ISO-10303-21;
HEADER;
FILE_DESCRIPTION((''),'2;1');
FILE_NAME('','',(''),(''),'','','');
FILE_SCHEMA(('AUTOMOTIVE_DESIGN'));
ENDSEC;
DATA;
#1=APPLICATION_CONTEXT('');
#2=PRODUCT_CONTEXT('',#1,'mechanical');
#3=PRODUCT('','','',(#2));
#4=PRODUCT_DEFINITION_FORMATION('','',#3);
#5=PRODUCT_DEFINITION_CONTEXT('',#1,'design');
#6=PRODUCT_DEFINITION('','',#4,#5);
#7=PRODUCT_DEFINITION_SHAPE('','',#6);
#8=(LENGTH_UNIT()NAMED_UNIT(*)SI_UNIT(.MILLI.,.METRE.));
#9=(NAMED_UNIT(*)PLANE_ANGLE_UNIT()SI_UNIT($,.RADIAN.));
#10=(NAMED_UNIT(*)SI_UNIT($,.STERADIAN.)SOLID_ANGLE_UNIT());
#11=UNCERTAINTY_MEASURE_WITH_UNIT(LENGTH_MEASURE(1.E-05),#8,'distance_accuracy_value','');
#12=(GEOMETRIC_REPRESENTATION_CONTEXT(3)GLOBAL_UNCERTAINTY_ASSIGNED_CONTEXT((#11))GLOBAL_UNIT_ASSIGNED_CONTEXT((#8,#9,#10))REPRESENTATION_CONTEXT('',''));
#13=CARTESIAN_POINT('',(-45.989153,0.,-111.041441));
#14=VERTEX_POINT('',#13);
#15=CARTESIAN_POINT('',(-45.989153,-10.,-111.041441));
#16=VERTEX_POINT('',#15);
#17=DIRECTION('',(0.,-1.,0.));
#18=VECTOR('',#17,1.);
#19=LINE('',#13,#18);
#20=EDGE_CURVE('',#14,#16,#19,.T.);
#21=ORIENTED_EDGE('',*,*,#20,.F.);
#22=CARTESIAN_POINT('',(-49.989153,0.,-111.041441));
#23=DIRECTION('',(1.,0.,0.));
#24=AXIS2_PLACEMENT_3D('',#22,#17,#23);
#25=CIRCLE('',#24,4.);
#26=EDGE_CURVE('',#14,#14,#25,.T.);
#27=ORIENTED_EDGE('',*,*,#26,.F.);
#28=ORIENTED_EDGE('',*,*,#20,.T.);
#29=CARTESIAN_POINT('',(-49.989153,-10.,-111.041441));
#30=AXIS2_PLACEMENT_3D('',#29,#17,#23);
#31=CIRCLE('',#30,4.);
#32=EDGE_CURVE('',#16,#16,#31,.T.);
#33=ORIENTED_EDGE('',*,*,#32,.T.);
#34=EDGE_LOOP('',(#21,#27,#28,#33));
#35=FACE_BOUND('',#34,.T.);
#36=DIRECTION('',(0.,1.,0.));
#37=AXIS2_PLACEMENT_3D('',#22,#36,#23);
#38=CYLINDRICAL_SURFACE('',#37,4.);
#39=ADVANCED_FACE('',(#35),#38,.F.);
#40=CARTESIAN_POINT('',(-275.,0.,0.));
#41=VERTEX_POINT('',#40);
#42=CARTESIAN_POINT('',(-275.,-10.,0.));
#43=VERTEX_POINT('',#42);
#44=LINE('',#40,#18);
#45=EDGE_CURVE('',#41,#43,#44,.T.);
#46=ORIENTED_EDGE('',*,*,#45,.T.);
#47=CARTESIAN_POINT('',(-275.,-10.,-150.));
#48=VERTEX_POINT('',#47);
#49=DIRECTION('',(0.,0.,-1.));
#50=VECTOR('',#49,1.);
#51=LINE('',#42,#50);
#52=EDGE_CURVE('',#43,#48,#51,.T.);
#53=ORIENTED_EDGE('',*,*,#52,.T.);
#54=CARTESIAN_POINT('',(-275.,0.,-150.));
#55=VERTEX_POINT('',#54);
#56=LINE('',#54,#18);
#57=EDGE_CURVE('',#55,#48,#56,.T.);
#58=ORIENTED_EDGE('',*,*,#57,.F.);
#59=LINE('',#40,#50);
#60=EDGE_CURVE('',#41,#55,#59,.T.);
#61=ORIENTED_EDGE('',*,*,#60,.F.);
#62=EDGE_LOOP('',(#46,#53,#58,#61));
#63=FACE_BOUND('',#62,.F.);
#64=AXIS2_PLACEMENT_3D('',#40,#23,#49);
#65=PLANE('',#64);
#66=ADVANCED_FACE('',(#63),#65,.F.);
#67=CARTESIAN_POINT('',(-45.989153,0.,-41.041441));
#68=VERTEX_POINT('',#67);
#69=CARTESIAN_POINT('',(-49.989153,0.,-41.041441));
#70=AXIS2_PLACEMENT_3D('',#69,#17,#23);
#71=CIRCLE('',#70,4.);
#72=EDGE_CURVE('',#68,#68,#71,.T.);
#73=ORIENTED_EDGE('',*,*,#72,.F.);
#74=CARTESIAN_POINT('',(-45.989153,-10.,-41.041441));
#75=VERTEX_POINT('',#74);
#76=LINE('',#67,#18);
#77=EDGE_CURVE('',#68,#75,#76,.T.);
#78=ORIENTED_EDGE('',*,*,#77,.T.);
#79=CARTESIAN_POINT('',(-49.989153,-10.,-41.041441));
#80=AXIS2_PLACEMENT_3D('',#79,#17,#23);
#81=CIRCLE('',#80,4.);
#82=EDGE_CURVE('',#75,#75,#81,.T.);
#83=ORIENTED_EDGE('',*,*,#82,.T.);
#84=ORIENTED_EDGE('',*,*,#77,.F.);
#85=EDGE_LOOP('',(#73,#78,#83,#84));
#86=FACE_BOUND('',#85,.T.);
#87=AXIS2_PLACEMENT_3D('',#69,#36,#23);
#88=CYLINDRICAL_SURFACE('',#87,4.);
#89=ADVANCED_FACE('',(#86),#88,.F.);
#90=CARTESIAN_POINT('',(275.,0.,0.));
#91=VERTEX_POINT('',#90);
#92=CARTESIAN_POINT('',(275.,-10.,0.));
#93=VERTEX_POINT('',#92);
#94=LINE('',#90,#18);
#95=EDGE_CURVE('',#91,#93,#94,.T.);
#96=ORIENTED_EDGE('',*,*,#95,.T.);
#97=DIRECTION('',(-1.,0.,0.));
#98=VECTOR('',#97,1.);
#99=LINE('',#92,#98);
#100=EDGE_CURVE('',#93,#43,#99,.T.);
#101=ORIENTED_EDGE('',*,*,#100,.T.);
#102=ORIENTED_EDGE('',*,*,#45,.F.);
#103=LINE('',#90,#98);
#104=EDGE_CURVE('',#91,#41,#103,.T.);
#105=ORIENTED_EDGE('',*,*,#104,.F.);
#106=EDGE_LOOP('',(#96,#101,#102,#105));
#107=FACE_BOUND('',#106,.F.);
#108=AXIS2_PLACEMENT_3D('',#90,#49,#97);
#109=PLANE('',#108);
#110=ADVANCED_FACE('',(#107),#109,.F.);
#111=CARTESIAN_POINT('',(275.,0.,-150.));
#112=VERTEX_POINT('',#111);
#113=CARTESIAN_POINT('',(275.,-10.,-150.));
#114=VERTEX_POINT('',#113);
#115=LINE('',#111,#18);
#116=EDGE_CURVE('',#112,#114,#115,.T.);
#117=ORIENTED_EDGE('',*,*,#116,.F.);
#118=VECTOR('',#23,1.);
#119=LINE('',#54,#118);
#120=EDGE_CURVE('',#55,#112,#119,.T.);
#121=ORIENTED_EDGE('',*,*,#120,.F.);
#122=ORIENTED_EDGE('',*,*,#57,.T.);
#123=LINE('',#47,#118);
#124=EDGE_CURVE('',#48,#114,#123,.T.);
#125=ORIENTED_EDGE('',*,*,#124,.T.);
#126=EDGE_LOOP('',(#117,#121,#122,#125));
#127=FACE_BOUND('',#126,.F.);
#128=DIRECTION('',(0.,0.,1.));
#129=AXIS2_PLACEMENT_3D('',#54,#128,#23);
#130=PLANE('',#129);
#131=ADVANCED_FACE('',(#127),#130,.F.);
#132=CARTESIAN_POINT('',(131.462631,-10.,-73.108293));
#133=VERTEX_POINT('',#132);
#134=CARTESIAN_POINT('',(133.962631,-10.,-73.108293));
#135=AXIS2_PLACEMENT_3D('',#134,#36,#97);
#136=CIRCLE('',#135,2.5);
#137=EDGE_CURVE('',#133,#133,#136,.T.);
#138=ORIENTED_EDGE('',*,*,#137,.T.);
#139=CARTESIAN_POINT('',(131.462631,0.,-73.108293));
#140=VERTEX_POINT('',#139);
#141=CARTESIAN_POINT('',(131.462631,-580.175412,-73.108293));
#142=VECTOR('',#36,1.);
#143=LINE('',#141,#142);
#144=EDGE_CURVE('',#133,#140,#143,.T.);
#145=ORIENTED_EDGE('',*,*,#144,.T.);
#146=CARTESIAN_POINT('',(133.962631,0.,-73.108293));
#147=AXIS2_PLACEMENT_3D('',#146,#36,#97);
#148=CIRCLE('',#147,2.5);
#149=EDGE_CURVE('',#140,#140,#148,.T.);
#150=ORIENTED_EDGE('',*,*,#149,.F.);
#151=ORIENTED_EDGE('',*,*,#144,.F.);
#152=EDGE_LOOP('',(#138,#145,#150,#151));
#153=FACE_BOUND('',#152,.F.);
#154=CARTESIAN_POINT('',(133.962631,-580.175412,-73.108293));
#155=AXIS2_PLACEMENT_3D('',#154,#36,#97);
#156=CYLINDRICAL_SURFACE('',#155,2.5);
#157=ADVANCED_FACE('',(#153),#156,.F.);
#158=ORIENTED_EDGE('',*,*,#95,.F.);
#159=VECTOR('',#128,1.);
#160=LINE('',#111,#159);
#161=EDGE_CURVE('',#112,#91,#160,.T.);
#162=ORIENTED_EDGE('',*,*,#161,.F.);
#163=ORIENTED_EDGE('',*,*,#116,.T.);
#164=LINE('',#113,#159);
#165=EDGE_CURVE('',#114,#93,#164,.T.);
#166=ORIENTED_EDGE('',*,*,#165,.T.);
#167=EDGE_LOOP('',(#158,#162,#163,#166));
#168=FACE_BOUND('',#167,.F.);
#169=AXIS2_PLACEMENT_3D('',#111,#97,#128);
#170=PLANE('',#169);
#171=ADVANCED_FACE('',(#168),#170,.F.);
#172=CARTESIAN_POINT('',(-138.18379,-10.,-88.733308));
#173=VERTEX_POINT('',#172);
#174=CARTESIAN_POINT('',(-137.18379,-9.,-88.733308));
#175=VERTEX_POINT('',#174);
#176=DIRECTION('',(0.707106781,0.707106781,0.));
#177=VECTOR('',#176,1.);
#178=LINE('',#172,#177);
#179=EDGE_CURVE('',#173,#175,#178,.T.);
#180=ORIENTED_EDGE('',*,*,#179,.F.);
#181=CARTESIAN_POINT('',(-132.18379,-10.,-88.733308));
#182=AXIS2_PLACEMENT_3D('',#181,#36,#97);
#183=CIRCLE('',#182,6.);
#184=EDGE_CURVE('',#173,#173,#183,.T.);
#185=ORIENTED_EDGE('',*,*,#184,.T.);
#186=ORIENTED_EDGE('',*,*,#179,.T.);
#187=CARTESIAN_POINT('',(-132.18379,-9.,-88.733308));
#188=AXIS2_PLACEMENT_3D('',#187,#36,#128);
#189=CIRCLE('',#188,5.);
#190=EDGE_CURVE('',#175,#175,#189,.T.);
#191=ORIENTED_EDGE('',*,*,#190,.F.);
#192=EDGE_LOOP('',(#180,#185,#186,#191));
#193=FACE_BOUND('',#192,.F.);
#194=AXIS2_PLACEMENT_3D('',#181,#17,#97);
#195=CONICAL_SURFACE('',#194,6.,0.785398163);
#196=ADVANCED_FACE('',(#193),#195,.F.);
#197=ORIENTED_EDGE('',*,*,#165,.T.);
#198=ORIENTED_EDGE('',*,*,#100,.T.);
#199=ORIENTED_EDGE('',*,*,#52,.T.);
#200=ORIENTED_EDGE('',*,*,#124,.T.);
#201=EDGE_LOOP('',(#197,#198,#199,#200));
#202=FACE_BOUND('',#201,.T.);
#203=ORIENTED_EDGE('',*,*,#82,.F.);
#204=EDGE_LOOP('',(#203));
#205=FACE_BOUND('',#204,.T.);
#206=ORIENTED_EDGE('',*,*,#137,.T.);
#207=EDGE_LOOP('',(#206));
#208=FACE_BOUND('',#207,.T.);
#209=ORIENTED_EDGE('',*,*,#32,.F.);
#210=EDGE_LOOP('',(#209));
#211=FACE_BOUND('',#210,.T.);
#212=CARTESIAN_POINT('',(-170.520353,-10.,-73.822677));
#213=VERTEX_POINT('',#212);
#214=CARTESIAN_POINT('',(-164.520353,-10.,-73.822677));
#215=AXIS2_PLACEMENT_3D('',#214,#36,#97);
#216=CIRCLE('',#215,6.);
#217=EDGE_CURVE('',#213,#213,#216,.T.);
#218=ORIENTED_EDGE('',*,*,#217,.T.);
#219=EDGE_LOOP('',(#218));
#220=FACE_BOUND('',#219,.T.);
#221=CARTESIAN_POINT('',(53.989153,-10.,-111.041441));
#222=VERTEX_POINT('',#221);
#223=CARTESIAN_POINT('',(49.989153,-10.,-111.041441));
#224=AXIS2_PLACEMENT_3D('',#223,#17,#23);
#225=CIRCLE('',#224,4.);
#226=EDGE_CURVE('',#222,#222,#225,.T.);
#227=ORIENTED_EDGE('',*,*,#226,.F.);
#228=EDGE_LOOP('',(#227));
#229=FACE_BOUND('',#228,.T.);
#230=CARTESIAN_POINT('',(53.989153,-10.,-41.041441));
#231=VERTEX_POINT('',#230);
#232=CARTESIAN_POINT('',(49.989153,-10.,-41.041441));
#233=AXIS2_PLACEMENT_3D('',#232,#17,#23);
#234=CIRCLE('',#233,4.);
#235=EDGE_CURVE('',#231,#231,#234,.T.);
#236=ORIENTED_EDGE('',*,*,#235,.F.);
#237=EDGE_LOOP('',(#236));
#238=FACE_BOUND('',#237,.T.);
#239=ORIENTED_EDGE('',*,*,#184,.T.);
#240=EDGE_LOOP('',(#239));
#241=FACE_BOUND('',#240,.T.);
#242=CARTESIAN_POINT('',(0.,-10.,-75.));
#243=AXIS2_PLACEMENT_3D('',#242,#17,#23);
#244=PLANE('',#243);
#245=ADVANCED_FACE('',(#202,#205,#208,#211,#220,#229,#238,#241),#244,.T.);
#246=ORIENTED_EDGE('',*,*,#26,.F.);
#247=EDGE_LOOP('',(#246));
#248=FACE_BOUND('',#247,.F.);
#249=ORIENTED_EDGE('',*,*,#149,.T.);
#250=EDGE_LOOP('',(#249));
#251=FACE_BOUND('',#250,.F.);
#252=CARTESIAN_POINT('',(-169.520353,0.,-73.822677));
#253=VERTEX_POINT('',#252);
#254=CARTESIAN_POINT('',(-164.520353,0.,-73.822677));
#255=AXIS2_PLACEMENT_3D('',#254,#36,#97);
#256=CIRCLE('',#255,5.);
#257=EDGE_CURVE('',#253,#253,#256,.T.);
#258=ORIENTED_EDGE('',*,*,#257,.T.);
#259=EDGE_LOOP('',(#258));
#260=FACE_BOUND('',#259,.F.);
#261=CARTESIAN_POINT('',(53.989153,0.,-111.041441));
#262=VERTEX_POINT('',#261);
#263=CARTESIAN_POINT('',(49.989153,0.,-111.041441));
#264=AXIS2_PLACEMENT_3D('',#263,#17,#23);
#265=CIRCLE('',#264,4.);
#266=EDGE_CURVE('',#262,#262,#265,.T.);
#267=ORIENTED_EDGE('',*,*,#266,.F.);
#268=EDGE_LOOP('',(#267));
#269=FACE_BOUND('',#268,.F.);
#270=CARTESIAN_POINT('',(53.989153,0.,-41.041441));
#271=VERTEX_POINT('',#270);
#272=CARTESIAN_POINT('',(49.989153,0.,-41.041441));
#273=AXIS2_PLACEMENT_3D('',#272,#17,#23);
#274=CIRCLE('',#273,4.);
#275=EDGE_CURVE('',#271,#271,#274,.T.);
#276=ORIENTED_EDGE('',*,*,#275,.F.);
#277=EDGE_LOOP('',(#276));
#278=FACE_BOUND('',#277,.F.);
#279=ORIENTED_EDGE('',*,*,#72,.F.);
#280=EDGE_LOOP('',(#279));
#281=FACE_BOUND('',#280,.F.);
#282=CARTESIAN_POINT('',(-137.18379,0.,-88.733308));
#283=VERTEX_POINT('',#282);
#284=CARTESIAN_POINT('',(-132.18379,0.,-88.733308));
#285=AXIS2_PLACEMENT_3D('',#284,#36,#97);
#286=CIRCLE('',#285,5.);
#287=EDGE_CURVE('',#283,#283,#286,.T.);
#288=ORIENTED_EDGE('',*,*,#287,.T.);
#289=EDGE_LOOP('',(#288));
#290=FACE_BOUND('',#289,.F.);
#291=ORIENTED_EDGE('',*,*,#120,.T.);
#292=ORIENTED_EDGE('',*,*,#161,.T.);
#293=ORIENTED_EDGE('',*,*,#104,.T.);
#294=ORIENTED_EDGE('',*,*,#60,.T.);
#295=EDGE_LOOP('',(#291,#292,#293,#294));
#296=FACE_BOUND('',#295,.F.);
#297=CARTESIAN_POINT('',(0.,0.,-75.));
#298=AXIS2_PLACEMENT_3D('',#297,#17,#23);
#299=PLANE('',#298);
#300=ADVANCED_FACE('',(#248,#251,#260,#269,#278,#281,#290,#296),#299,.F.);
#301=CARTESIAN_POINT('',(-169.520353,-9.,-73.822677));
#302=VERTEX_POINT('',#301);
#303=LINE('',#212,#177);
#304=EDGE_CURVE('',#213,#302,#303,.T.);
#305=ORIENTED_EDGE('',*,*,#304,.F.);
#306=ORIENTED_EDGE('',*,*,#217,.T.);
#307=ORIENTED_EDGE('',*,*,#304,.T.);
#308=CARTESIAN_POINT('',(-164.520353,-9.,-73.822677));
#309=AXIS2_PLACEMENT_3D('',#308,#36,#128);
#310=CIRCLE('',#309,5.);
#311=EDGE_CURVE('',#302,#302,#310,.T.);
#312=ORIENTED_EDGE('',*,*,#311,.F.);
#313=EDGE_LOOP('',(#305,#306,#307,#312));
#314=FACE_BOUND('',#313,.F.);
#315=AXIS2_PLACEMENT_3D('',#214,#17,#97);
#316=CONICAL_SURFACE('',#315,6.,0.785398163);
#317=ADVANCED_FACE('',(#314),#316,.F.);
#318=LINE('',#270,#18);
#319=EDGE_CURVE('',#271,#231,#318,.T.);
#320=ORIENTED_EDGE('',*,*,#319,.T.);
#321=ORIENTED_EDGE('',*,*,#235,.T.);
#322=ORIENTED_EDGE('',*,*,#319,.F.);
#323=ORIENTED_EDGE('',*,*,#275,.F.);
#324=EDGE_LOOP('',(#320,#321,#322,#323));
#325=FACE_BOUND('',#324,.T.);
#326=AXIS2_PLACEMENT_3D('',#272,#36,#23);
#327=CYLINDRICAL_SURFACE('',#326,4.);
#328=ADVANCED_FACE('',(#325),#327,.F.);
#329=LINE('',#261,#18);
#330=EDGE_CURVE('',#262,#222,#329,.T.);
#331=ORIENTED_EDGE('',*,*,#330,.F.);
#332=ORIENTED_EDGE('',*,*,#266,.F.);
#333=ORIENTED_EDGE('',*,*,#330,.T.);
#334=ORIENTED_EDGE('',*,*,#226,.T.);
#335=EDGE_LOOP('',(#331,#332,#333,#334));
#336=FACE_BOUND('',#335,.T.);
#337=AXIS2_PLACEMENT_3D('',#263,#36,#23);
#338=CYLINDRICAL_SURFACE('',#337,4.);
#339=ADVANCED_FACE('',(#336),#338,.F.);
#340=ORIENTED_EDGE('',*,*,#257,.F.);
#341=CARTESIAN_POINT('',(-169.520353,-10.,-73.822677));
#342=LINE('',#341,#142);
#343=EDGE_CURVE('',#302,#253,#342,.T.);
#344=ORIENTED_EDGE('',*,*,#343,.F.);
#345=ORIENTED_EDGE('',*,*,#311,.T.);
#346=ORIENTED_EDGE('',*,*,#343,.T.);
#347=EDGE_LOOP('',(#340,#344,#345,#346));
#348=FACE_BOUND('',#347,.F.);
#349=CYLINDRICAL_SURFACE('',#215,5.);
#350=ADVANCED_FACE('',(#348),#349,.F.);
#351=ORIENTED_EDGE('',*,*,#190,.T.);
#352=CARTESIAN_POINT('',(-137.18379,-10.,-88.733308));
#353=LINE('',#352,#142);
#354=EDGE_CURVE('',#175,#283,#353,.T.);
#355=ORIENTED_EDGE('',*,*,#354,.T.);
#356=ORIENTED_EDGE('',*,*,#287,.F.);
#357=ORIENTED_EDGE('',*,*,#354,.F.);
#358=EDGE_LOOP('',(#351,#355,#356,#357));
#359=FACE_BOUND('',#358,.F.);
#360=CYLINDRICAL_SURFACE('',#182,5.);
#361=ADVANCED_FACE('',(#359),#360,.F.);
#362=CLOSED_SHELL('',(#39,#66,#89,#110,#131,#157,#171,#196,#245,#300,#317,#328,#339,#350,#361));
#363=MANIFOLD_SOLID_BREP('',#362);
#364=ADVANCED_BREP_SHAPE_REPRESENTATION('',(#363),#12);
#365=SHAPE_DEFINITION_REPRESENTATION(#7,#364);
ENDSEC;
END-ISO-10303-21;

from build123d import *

# Parameters (mm, degrees)
F0_R           = 4
F1_DEPTH       = 10
F3_D           = 10
F3_CSINK_D     = 12
F3_CSINK_ANGLE = 90
F4_D           = 10
F4_CSINK_D     = 12
F4_CSINK_ANGLE = 90
F6_D           = 5


with BuildPart() as f1:
    # F0 (on Front) → F1 (new body)
    with BuildSketch(Plane.XZ):
        Polygon((0, 0), (-275, 0), (-275, -150), (275, -150), (275, 0), (50, 0), align=None)
        with Locations((-49.989153, -111.041441)):
            Circle(F0_R, mode=Mode.SUBTRACT)
        with Locations((49.989153, -111.041441)):
            Circle(F0_R, mode=Mode.SUBTRACT)
        with Locations((-49.989153, -41.041441)):
            Circle(F0_R, mode=Mode.SUBTRACT)
        with Locations((49.989153, -41.041441)):
            Circle(F0_R, mode=Mode.SUBTRACT)
    extrude(amount=F1_DEPTH)

    # F3 (through all)
    with Locations(Plane.XZ.offset(10)):
        with Locations((-132.18379, -88.733308)):
            CounterSinkHole(F3_D / 2, F3_CSINK_D / 2, counter_sink_angle=F3_CSINK_ANGLE)

    # F4 (through all)
    with Locations(Plane.XZ.offset(10)):
        with Locations((-164.520353, -73.822677)):
            CounterSinkHole(F4_D / 2, F4_CSINK_D / 2, counter_sink_angle=F4_CSINK_ANGLE)

    # F6 (through all)
    with Locations(Plane.XZ.offset(10)):
        with Locations((133.962631, -73.108293)):
            Hole(F6_D / 2)


solid = f1.part
